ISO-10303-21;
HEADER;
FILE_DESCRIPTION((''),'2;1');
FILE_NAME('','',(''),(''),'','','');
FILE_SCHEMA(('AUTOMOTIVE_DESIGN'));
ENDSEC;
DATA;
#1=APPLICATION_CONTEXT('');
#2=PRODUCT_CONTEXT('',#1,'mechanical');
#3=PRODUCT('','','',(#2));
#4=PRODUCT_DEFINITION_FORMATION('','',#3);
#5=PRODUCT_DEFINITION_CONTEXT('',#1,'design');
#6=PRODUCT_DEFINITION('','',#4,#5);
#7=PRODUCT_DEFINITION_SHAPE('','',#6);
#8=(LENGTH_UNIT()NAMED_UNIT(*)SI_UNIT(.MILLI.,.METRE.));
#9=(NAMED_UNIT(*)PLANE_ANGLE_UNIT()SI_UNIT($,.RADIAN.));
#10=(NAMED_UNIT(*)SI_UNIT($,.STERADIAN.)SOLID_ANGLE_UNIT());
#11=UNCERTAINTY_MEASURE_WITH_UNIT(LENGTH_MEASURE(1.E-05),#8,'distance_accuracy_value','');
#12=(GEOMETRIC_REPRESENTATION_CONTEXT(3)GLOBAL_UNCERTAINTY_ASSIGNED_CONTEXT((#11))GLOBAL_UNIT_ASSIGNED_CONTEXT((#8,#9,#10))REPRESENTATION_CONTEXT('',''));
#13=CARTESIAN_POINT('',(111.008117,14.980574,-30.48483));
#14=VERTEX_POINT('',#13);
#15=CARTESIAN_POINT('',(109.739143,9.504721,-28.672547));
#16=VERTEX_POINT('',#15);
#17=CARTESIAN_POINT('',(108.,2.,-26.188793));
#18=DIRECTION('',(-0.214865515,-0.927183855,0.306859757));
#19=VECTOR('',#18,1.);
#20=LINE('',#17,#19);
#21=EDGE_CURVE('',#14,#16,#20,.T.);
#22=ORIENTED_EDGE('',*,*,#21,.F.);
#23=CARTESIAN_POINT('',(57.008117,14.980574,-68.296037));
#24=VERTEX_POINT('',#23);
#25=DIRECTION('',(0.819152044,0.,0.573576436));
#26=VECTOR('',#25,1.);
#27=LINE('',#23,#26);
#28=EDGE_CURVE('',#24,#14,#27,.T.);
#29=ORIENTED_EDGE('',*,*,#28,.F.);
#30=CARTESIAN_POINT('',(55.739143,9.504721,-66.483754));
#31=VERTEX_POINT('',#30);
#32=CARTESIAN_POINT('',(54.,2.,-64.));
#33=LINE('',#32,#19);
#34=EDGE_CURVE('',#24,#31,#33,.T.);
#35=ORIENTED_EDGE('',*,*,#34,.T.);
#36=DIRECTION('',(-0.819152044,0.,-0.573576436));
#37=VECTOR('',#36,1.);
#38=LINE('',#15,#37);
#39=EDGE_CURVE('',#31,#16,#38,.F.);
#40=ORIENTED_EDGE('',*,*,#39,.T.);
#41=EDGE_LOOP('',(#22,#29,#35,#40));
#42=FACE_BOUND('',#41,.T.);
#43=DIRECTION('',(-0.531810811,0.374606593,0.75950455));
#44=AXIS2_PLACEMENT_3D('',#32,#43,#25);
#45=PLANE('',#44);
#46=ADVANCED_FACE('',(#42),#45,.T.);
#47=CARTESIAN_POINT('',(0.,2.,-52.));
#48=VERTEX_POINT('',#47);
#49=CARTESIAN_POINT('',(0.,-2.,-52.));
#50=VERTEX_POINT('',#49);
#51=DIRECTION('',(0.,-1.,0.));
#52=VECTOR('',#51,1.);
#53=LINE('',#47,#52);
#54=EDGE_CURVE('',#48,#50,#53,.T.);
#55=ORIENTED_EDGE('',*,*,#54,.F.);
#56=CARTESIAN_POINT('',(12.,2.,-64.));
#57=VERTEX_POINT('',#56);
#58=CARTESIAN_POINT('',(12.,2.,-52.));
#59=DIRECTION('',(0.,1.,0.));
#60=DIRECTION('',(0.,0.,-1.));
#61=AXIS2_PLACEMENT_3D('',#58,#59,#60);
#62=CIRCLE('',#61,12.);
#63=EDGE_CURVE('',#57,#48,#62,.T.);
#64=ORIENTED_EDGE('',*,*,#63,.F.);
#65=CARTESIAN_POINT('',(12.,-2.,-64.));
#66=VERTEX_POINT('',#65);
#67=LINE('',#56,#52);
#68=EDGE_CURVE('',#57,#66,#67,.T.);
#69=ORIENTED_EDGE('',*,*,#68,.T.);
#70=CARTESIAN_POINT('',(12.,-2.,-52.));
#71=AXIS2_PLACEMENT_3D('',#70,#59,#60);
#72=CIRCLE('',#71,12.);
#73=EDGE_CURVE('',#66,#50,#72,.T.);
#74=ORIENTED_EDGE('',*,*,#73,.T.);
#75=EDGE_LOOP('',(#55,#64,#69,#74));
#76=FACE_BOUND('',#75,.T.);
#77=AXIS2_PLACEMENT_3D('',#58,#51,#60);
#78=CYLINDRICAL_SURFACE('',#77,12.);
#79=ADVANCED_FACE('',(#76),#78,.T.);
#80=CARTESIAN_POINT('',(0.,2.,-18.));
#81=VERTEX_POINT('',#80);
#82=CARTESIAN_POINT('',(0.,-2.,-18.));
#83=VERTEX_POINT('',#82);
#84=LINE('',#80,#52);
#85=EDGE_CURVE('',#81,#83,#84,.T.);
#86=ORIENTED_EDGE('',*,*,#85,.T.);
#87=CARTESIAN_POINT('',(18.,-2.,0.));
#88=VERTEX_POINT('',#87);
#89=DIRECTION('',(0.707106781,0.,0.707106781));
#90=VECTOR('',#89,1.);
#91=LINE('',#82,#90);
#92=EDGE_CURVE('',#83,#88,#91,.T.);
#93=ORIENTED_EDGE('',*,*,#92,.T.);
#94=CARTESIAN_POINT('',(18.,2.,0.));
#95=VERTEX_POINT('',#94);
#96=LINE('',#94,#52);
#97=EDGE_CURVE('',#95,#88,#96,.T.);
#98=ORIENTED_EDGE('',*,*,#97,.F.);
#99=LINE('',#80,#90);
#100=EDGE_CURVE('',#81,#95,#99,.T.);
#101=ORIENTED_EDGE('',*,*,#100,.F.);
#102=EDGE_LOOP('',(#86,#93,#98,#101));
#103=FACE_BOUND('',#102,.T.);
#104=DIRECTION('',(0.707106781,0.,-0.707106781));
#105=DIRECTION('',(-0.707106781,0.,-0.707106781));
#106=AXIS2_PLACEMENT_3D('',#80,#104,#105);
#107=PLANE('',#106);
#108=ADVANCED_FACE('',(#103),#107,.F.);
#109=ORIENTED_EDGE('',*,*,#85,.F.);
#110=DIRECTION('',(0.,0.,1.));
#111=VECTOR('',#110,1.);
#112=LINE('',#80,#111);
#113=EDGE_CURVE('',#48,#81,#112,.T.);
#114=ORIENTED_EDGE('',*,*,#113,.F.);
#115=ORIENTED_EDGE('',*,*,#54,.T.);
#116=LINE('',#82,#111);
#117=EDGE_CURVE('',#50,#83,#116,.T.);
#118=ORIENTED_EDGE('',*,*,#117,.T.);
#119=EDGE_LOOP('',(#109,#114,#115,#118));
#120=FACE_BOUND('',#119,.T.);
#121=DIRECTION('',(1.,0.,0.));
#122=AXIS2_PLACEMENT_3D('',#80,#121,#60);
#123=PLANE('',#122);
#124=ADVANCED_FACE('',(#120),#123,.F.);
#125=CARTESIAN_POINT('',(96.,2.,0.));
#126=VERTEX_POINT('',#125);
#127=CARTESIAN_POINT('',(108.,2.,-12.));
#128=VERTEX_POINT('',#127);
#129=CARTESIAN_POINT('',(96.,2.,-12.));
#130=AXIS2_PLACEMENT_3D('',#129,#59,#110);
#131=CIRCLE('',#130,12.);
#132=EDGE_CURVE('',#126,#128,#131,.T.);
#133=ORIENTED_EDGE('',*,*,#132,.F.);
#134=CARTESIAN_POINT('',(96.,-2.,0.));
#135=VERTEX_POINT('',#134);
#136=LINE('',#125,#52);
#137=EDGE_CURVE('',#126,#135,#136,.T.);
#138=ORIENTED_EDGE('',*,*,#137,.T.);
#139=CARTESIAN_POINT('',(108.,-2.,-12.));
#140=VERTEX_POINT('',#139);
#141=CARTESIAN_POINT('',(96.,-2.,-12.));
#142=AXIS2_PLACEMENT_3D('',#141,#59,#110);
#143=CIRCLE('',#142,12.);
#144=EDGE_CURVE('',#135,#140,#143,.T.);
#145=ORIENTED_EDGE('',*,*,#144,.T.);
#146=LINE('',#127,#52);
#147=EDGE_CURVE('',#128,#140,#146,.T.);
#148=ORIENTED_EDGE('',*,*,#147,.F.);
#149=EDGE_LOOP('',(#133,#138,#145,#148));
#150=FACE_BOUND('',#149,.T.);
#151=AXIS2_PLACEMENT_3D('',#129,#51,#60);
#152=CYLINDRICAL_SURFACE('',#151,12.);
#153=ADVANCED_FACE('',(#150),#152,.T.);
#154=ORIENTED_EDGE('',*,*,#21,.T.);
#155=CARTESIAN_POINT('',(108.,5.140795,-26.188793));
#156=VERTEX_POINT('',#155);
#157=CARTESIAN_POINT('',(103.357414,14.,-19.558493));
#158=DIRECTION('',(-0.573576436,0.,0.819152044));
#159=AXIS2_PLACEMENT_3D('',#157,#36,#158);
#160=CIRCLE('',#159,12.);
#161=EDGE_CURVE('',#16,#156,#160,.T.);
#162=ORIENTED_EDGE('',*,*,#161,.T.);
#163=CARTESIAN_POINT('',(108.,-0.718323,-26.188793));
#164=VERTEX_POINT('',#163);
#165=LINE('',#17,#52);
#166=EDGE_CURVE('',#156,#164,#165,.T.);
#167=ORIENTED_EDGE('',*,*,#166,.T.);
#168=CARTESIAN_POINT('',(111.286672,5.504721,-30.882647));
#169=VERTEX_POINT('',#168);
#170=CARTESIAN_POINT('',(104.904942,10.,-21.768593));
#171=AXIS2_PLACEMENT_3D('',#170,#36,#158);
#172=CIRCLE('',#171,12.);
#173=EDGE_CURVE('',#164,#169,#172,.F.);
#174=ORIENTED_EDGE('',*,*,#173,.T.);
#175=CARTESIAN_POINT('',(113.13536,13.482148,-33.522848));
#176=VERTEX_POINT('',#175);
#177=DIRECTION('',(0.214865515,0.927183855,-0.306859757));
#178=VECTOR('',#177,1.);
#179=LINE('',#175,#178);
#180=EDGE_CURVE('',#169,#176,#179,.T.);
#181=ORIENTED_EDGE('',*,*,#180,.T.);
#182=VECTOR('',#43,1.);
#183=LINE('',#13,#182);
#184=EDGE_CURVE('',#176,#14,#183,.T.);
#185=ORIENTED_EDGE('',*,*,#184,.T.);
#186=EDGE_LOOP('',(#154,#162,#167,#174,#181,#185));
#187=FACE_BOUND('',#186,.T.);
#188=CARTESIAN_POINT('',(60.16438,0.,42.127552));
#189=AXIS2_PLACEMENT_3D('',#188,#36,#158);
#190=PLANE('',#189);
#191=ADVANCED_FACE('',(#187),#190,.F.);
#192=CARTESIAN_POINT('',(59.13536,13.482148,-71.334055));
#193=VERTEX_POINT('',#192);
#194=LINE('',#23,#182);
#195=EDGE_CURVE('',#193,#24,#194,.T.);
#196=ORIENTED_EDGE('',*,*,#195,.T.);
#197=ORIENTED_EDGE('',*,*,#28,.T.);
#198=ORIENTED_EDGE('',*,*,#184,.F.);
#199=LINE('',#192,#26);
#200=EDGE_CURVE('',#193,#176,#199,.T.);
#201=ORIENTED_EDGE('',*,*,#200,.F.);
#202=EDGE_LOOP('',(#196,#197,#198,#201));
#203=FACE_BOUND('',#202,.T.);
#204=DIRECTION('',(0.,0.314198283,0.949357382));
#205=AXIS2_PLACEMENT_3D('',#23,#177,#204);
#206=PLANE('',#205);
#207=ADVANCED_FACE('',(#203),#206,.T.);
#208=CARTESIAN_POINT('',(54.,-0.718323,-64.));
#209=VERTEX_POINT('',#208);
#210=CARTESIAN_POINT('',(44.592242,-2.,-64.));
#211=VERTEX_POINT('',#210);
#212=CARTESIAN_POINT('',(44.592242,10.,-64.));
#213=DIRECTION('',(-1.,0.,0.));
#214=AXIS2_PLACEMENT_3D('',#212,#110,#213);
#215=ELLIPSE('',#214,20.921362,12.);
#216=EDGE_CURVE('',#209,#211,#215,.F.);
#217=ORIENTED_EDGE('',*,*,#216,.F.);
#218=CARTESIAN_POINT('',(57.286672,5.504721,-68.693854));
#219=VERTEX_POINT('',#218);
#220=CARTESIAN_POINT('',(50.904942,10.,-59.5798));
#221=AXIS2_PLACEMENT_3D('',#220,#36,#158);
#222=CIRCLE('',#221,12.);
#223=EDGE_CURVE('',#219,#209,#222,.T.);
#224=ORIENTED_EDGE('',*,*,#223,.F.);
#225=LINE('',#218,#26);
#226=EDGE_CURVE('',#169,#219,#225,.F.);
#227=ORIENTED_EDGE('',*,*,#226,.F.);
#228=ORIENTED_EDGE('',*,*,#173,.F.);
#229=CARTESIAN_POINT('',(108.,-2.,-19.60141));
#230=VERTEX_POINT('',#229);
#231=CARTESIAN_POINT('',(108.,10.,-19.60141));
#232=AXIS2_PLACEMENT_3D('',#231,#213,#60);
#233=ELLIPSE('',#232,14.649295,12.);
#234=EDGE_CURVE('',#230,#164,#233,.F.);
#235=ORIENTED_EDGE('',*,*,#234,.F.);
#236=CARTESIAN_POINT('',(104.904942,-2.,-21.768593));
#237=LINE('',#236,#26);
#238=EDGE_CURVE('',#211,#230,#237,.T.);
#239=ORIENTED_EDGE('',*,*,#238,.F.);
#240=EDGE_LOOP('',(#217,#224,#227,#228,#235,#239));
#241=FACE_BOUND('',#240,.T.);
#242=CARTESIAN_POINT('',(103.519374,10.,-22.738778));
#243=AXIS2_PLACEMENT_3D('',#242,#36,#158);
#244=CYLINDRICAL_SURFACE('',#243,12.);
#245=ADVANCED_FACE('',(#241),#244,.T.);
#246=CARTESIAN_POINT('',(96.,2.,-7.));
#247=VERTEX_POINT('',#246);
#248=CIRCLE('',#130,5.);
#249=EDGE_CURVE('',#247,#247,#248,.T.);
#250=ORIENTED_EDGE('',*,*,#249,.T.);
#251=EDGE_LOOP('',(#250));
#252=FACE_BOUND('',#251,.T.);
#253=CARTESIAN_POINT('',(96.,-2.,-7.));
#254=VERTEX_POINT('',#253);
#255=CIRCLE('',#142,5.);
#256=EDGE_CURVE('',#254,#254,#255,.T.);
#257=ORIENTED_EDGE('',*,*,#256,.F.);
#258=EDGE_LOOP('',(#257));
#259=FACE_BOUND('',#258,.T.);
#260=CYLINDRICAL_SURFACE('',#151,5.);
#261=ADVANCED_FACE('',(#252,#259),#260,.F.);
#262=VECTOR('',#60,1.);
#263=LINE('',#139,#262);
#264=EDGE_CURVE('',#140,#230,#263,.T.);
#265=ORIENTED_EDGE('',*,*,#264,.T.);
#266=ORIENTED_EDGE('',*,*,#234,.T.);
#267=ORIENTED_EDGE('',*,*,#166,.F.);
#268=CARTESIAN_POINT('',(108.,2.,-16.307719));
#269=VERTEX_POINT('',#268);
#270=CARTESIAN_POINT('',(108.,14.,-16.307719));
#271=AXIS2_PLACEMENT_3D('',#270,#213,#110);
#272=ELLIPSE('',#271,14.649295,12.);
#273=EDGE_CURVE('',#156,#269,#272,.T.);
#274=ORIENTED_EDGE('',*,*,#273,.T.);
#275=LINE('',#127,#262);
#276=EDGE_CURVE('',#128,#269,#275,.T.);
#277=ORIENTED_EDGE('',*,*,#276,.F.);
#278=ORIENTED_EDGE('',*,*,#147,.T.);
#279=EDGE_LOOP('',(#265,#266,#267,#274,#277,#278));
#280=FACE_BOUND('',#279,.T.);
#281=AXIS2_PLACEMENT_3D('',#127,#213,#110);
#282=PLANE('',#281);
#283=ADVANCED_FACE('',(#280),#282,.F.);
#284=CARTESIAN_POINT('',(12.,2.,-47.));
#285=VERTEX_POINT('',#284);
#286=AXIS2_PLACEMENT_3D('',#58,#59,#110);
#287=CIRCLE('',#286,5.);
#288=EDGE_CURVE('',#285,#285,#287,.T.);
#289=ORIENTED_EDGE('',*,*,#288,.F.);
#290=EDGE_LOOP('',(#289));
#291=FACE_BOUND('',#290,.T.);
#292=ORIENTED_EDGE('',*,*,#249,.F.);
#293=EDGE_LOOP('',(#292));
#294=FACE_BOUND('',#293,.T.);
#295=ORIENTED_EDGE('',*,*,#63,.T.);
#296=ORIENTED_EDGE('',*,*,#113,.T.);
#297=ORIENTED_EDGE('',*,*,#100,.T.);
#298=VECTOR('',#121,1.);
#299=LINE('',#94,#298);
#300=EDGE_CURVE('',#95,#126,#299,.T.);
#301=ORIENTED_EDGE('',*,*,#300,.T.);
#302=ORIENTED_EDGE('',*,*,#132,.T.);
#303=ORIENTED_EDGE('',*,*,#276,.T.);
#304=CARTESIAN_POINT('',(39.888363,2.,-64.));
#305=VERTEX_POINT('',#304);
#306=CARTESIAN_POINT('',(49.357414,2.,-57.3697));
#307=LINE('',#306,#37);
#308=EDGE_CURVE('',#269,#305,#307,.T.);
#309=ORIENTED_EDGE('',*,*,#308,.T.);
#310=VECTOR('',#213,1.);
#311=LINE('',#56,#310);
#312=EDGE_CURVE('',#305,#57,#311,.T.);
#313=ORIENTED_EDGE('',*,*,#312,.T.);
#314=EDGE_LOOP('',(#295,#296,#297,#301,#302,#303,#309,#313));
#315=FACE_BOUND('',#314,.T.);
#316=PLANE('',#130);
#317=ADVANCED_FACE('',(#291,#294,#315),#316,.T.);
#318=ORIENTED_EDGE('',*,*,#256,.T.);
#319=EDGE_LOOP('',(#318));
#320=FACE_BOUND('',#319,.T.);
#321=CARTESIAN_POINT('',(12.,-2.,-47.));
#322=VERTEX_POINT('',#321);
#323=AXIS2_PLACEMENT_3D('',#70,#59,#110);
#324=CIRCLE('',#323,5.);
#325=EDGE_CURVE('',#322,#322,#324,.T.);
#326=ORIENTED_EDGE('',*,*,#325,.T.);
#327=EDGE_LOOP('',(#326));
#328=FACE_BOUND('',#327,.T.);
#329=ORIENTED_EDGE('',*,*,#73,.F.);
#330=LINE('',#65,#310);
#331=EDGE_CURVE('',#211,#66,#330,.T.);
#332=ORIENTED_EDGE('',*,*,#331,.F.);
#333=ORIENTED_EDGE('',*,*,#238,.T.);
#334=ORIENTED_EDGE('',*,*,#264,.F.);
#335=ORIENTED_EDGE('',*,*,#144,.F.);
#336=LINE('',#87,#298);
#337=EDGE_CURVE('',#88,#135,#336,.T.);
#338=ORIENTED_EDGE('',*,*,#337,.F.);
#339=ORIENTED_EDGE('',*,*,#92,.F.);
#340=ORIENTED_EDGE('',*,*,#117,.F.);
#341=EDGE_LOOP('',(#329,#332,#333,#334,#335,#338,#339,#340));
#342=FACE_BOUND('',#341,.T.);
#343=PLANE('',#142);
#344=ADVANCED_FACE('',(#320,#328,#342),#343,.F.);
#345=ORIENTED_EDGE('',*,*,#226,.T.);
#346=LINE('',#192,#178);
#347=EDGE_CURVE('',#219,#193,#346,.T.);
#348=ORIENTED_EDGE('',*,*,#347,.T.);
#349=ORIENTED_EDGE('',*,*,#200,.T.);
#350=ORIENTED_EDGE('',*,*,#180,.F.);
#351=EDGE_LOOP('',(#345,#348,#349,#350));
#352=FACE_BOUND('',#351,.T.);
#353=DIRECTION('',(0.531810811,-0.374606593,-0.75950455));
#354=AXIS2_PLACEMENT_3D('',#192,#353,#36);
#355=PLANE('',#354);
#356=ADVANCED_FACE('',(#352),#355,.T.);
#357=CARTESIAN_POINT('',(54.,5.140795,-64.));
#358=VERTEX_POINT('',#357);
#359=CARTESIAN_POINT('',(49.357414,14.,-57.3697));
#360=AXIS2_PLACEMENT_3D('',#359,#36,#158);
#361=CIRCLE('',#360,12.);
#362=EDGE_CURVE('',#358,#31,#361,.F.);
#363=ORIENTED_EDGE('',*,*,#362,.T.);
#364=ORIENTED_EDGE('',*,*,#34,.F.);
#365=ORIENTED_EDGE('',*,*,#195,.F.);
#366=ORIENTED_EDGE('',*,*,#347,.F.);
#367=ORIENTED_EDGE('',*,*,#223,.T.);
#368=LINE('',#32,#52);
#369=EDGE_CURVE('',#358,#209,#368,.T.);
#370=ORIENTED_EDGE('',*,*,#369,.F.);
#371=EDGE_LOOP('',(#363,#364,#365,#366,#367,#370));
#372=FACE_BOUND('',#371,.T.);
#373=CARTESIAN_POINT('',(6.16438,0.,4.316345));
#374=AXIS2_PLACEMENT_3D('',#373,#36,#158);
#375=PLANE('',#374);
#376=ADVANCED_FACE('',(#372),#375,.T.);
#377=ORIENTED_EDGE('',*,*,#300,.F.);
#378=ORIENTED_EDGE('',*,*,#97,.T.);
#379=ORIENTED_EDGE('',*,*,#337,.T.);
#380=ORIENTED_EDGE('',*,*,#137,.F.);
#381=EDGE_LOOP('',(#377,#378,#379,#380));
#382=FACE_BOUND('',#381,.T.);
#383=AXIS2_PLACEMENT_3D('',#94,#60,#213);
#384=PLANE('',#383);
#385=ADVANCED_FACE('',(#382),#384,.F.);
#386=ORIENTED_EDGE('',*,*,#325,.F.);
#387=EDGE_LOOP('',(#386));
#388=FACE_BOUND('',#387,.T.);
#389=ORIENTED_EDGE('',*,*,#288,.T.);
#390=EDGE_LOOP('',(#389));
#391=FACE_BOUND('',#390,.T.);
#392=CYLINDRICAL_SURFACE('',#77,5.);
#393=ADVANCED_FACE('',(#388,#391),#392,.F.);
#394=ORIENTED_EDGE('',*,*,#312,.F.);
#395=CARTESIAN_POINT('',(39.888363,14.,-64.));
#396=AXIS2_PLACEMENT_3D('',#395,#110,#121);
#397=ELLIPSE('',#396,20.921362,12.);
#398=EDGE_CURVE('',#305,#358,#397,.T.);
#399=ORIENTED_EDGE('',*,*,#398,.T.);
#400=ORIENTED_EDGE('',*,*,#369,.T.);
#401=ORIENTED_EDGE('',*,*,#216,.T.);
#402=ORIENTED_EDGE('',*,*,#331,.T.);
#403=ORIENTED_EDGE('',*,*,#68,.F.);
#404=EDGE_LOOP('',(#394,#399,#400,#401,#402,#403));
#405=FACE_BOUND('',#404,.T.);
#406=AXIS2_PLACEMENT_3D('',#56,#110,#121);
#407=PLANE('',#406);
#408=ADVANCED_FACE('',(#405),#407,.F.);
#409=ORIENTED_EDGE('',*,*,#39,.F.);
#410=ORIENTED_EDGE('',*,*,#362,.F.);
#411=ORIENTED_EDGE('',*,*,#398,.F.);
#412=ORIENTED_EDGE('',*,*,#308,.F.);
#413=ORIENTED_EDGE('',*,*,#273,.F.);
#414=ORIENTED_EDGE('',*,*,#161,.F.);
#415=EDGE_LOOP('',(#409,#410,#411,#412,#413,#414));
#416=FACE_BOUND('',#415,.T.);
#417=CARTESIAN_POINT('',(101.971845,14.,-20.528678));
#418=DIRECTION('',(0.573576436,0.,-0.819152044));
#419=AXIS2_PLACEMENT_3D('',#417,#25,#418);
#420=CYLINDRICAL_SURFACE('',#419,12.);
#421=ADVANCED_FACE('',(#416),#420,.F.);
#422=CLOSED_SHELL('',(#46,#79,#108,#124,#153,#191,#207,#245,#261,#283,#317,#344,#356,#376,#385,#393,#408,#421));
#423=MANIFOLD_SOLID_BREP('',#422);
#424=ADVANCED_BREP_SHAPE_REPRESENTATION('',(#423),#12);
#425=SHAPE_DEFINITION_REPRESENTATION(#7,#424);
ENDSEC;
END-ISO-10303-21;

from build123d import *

# Parameters (mm, degrees)
SKETCH1_R           = 5
BOSS_EXTRUDE1_DEPTH = 2
BOSS_EXTRUDE2_DEPTH = 65.921828
FILLET1_R           = 12
FILLET2_R           = 12


with BuildPart() as part:
    # Sketch1 → Boss-Extrude1 (new body, symmetric)
    with BuildSketch(Plane(origin=(0, 0, 0), x_dir=(1, 0, 0), z_dir=(0, 1, 0))):
        with BuildLine():
            Line((0, 18), (18, 0))
            Line((18, 0), (96, 0))
            ThreePointArc((96, 0), (104.485281374, 3.514718626), (108, 12))
            Line((108, 12), (108, 26.188792937))
            Line((108, 26.188792937), (54, 64))
            Line((54, 64), (12, 64))
            ThreePointArc((12, 64), (3.514718626, 60.485281374), (0, 52))
            Line((0, 52), (0, 18))
        make_face()
        with Locations((12, 52)):
            Circle(SKETCH1_R, mode=Mode.SUBTRACT)
        with Locations((96, 12)):
            Circle(SKETCH1_R, mode=Mode.SUBTRACT)
    extrude(amount=BOSS_EXTRUDE1_DEPTH, both=True)

    # Sketch4 → Boss-Extrude2 (add)
    with BuildSketch(Plane(origin=(60.164380005, 0, 42.127552411), x_dir=(0.573576436, 0, -0.819152044), z_dir=(0.819152044, 0, 0.573576436))):
        Polygon((83.398858397, 2), (88.643350705, 14.980573964), (92.352086124, 13.48214759), (86.096892465, -2), (83.398858397, -2), align=None)
    extrude(amount=-BOSS_EXTRUDE2_DEPTH)

    # Fillet1
    fillet1_edges = [part.edges().sort_by_distance(p)[0] for p in [
        (82.547528681, -2, -47.30449665),
    ]]
    fillet(fillet1_edges, radius=FILLET1_R)

    # Fillet2
    fillet2_edges = [part.edges().sort_by_distance(p)[0] for p in [
        (81, 2, -45.094396468),
    ]]
    fillet(fillet2_edges, radius=FILLET2_R)


solid = part.part
